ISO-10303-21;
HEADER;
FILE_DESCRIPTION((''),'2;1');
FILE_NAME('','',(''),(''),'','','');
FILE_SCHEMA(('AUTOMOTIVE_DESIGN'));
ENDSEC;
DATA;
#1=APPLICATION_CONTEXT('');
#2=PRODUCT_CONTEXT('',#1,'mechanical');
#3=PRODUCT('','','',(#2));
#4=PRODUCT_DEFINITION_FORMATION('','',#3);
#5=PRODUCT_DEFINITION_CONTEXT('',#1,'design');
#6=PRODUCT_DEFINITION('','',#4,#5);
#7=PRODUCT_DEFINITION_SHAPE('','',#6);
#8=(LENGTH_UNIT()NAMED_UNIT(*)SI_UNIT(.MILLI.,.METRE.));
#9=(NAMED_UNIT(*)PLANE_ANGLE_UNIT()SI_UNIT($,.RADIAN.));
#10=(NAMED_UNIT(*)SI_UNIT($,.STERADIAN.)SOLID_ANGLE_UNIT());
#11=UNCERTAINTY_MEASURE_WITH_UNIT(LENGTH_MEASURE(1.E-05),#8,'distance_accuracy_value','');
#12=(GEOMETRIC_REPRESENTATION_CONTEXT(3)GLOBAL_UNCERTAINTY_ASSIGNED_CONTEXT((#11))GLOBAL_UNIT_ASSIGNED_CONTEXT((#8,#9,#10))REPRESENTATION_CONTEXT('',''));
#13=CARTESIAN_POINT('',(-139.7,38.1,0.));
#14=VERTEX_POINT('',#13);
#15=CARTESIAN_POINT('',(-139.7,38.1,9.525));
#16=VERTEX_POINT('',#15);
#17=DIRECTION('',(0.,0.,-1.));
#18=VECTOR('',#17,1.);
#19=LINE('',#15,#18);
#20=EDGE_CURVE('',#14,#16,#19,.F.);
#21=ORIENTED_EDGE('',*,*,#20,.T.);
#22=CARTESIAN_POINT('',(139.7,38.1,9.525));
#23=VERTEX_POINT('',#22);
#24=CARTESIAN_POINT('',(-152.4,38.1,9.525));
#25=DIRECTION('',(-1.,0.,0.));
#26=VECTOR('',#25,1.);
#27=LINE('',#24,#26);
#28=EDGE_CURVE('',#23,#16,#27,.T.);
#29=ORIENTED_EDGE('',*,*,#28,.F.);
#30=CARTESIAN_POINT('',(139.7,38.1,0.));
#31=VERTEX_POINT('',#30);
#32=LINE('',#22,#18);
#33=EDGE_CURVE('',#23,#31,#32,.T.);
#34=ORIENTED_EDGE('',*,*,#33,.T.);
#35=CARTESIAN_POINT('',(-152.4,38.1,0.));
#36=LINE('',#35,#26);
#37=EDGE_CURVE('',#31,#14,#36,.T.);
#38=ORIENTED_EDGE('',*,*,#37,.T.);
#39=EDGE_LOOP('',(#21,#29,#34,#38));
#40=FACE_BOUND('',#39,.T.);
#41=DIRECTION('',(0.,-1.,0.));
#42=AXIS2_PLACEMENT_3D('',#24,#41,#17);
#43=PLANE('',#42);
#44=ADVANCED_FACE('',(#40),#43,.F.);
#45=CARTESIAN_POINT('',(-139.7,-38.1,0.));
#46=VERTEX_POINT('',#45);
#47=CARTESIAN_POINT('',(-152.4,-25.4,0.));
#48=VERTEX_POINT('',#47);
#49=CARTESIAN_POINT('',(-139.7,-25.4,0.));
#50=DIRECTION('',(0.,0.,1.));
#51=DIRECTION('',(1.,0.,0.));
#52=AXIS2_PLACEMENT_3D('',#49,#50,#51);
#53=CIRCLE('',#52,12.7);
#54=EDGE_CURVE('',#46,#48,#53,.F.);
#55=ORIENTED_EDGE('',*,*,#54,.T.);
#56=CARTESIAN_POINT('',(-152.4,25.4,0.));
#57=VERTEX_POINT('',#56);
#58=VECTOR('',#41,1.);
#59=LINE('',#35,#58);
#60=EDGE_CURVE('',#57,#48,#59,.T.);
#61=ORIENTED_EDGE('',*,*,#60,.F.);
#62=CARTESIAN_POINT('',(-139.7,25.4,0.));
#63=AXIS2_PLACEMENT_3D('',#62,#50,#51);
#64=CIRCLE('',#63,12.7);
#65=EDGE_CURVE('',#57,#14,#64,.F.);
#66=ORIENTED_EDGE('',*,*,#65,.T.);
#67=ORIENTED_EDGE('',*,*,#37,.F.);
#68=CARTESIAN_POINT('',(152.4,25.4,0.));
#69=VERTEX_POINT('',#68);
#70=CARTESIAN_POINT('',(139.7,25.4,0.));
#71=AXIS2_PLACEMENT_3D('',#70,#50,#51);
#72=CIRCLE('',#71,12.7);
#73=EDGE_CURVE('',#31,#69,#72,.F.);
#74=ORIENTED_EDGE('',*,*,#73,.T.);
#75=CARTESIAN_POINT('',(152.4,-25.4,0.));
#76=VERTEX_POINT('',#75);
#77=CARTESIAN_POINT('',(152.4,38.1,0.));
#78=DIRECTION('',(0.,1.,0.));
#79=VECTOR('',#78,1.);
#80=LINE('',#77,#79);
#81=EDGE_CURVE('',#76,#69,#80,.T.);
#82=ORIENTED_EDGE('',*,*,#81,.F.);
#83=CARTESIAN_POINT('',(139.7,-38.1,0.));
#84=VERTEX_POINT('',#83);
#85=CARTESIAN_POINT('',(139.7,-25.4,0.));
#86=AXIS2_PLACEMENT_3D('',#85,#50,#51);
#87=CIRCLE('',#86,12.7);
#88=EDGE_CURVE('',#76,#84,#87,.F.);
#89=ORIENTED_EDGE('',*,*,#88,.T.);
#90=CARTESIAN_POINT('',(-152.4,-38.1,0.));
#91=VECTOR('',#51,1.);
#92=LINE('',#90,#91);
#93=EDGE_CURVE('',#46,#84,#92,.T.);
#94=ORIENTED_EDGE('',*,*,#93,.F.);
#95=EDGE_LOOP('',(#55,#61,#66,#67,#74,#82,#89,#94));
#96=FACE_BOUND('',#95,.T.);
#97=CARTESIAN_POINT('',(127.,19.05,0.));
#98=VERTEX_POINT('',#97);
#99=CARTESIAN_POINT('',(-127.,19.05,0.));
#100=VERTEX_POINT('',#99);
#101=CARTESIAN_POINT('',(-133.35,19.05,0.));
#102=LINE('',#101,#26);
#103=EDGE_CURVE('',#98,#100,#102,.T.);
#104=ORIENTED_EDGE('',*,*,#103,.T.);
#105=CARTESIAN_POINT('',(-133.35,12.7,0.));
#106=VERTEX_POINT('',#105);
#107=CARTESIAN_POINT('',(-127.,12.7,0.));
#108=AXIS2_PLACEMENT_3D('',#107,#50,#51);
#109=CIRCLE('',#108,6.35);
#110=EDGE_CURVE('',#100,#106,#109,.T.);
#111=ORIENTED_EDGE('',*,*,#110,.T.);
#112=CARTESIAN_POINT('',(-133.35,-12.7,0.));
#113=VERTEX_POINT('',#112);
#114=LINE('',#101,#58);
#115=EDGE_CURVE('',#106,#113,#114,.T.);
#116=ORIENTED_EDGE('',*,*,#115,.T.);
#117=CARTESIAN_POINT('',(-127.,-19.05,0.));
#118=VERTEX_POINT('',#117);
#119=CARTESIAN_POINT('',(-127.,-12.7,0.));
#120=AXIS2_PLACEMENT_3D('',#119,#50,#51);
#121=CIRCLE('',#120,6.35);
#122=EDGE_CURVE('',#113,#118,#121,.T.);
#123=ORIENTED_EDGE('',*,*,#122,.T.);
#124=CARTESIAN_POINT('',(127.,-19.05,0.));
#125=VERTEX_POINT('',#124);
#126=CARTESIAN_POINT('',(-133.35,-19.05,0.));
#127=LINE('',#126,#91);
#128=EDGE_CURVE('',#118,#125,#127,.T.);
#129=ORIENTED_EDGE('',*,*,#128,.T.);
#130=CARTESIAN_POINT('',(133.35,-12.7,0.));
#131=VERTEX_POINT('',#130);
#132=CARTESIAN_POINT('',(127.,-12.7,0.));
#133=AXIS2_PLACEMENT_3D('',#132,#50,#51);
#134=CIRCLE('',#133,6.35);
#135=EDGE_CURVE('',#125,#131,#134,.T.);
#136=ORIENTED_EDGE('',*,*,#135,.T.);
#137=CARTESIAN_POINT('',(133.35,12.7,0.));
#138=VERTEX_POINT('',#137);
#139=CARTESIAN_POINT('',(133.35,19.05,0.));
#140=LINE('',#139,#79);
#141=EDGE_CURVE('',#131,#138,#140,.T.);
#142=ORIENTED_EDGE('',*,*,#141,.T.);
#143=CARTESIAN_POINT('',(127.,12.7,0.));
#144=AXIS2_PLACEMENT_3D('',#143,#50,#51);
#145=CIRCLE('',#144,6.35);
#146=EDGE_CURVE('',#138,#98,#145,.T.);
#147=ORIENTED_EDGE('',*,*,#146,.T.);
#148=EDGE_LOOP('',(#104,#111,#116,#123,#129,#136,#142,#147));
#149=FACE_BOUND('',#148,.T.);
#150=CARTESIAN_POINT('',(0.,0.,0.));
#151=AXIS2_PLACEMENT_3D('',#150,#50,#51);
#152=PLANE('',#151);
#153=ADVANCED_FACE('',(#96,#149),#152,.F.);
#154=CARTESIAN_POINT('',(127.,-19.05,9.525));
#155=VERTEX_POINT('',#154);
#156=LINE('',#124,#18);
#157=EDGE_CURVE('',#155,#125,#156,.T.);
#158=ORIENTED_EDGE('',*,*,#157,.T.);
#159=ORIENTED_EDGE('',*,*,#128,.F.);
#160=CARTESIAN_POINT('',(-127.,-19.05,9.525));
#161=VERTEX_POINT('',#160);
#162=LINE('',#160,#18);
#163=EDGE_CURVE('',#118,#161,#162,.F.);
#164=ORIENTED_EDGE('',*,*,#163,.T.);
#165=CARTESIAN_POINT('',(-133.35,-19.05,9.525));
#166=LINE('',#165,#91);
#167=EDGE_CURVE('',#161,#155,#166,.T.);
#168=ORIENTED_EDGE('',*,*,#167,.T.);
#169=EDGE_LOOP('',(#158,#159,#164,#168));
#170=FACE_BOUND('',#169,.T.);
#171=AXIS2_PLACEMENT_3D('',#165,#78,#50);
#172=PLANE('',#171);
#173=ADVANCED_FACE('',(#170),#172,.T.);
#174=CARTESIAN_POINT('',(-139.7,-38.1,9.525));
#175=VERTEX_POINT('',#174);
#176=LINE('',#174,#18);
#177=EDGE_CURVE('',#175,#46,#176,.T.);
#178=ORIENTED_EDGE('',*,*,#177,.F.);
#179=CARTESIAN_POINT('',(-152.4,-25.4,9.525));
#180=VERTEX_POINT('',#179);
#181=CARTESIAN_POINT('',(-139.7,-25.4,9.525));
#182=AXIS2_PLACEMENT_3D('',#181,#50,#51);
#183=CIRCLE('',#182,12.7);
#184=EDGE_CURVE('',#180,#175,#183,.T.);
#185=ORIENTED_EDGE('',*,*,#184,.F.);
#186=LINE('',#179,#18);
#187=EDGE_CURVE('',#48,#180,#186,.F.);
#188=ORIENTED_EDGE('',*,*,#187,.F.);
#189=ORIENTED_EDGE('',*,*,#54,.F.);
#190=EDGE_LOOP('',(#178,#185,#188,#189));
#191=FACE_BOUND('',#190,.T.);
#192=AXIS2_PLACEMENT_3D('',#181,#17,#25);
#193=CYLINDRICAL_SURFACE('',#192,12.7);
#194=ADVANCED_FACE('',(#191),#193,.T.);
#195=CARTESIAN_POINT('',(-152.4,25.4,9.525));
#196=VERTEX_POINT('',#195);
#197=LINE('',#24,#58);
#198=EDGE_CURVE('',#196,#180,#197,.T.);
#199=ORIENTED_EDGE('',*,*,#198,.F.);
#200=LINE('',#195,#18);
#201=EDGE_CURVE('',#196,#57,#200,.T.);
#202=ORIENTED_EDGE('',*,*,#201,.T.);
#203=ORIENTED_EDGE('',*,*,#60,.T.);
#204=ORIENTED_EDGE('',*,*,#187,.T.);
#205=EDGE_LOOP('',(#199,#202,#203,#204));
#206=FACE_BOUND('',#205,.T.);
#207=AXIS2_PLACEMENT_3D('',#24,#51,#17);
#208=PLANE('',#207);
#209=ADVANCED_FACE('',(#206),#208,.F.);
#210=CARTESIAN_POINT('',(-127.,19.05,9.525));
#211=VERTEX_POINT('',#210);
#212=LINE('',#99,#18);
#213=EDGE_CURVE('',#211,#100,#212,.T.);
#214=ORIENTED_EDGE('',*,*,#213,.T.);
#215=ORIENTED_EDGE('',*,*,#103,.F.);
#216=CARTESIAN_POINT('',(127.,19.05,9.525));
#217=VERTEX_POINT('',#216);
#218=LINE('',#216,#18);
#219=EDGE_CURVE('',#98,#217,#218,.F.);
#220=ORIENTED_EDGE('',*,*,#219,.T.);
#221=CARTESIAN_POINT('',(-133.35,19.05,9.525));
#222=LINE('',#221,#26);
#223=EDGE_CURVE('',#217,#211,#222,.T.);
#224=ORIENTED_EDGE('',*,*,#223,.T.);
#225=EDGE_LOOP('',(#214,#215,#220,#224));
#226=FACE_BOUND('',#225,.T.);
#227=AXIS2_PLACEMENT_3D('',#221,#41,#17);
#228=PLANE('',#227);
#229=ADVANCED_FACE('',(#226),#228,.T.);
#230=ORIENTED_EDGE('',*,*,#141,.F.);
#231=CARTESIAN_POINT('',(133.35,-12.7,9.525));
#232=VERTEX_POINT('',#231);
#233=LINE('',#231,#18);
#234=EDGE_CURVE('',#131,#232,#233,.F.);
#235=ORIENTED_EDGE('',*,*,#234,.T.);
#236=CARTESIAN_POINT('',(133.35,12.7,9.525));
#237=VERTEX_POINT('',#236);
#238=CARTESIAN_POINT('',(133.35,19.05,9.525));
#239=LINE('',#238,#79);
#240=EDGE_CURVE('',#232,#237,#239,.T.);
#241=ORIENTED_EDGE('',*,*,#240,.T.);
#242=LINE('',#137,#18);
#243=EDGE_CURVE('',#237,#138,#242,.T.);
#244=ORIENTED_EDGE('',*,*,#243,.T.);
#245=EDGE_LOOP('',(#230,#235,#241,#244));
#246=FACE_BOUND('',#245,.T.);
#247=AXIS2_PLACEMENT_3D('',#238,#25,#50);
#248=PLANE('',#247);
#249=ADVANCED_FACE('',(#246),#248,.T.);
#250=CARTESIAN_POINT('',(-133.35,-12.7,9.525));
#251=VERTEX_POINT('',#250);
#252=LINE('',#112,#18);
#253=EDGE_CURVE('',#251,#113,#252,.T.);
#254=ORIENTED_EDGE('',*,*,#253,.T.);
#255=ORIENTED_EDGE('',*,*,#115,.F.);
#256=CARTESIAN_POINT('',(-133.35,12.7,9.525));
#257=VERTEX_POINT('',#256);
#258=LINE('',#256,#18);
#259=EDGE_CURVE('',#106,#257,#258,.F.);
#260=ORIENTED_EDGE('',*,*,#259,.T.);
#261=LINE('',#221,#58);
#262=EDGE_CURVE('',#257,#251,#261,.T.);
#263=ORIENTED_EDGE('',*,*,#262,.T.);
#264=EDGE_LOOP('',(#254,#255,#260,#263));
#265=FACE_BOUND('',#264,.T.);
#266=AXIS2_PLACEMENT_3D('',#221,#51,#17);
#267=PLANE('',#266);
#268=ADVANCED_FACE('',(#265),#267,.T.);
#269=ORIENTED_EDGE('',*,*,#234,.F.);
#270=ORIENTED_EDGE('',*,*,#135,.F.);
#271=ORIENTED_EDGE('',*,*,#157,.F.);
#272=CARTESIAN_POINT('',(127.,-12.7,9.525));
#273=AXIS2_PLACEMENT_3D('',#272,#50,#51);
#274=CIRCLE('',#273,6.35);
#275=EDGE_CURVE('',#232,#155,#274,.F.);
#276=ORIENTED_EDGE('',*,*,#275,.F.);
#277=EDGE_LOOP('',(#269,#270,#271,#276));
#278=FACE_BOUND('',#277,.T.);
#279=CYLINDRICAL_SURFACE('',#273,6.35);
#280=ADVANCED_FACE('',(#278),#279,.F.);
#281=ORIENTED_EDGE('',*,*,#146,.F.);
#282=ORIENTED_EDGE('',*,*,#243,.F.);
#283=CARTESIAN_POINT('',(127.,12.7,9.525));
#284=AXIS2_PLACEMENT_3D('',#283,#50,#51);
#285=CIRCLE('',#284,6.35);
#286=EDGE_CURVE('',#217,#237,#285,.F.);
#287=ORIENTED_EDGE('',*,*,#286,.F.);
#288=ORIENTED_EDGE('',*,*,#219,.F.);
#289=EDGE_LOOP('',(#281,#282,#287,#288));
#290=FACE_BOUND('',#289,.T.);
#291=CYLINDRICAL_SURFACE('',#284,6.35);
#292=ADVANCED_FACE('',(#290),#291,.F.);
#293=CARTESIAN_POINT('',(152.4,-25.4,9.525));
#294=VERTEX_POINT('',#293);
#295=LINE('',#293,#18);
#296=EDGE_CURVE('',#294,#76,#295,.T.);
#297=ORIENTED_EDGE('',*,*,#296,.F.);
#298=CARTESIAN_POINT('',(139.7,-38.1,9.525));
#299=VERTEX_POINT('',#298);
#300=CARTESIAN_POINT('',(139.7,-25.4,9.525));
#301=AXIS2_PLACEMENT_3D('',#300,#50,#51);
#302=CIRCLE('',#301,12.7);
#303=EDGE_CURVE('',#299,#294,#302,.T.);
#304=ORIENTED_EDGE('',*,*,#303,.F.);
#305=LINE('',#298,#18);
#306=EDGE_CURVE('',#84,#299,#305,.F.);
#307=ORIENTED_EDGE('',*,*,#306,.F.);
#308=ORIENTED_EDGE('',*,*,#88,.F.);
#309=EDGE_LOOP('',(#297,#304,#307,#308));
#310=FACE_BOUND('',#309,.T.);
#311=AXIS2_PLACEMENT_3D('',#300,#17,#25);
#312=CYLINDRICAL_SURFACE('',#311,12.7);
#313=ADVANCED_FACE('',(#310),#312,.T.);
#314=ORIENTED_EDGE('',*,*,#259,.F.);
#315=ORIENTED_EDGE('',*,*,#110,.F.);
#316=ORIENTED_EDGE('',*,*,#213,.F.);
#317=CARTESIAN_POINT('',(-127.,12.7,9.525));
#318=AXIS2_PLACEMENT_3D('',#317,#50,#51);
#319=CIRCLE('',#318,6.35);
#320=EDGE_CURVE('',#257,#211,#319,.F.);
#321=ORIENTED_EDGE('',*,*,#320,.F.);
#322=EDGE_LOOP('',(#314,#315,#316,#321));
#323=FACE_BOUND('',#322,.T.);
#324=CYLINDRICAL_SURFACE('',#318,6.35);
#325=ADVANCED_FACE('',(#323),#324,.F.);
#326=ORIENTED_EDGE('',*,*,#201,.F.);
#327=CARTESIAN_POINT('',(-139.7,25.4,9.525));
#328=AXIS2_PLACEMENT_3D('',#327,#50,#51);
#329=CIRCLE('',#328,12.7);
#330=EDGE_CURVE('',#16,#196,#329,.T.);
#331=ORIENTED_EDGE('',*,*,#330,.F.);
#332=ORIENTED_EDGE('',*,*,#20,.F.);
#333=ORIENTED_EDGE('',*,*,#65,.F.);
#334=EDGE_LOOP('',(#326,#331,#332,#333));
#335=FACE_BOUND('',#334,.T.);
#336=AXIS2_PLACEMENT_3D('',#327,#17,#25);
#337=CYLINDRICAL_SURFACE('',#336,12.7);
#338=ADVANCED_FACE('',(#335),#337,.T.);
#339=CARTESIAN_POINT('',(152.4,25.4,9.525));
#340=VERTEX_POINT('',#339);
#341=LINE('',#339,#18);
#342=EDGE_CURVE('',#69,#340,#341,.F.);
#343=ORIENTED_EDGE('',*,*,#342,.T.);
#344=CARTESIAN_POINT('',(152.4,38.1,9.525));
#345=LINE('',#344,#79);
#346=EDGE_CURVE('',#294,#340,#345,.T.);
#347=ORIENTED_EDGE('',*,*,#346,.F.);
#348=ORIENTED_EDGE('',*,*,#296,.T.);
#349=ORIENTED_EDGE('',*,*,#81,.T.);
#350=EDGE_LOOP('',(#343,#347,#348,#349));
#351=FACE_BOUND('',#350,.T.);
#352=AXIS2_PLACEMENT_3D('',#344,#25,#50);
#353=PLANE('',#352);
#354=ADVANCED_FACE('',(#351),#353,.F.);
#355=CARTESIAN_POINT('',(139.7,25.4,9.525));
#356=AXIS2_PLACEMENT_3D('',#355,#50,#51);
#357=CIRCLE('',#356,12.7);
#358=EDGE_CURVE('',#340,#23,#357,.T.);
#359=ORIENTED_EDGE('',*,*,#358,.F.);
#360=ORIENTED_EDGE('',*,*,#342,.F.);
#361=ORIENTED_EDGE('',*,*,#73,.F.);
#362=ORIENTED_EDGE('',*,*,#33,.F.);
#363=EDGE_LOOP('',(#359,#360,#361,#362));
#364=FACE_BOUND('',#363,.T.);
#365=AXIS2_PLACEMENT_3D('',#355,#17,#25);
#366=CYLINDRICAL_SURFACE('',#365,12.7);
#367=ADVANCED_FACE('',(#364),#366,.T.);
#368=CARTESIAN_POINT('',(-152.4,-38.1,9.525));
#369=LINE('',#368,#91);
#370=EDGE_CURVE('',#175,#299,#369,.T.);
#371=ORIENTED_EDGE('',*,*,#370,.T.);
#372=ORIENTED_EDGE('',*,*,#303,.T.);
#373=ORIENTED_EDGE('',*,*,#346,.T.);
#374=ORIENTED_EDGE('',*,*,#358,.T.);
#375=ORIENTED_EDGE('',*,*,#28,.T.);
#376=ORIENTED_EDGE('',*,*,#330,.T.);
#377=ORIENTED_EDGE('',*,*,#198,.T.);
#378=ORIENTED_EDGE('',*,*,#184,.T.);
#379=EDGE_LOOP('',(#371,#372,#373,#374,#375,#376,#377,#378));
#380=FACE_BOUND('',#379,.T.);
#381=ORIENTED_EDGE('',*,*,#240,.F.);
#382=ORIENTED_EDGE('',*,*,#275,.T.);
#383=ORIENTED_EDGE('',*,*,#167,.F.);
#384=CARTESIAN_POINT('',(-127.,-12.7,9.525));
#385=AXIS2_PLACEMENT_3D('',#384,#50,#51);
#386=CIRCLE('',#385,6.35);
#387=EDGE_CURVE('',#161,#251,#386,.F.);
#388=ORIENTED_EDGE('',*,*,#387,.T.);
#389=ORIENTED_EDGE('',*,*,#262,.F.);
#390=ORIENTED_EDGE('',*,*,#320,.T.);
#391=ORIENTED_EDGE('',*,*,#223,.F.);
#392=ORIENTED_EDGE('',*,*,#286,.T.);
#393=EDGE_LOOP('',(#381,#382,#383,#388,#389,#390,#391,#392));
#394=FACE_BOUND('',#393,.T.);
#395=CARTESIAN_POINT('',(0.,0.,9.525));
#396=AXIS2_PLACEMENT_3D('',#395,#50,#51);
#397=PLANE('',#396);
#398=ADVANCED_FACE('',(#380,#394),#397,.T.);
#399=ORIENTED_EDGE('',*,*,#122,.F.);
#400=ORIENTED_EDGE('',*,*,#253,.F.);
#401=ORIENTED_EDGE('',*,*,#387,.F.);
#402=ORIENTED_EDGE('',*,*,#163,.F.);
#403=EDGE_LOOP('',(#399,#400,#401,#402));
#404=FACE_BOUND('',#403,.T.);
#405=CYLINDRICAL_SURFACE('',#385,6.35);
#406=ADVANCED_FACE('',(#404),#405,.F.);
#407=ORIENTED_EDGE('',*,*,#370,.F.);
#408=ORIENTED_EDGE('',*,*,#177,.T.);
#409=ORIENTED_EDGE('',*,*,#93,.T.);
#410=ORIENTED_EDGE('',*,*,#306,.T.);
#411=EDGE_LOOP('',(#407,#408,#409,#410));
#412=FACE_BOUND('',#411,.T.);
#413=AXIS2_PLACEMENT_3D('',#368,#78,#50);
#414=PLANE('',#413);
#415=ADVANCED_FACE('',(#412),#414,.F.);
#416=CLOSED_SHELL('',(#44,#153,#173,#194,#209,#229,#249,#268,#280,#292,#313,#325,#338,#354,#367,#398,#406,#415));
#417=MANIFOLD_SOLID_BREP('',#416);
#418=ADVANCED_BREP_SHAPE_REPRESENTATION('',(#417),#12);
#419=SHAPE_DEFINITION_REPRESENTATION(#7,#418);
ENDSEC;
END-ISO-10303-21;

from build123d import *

# Parameters (mm, degrees)
SKETCH1_W           = 304.8
SKETCH1_H           = 76.2
SKETCH1_W_2         = 266.7
SKETCH1_H_2         = 38.1
BOSS_EXTRUDE1_DEPTH = 9.525
FILLET1_R           = 12.7
FILLET2_R           = 6.35


with BuildPart() as part:
    # Sketch1 → Boss-Extrude1 (new body)
    with BuildSketch(Plane.XY):
        Rectangle(SKETCH1_W, SKETCH1_H)
        Rectangle(SKETCH1_W_2, SKETCH1_H_2, mode=Mode.SUBTRACT)
    extrude(amount=BOSS_EXTRUDE1_DEPTH)

    # Fillet1
    fillet1_edges = [part.edges().sort_by_distance(p)[0] for p in [
        (152.4, -38.1, 4.7625),
        (-152.4, -38.1, 4.7625),
        (-152.4, 38.1, 4.7625),
        (152.4, 38.1, 4.7625),
    ]]
    fillet(fillet1_edges, radius=FILLET1_R)

    # Fillet2
    fillet2_edges = [part.edges().sort_by_distance(p)[0] for p in [
        (133.35, -19.05, 4.7625),
        (133.35, 19.05, 4.7625),
        (-133.35, 19.05, 4.7625),
        (-133.35, -19.05, 4.7625),
    ]]
    fillet(fillet2_edges, radius=FILLET2_R)


solid = part.part
